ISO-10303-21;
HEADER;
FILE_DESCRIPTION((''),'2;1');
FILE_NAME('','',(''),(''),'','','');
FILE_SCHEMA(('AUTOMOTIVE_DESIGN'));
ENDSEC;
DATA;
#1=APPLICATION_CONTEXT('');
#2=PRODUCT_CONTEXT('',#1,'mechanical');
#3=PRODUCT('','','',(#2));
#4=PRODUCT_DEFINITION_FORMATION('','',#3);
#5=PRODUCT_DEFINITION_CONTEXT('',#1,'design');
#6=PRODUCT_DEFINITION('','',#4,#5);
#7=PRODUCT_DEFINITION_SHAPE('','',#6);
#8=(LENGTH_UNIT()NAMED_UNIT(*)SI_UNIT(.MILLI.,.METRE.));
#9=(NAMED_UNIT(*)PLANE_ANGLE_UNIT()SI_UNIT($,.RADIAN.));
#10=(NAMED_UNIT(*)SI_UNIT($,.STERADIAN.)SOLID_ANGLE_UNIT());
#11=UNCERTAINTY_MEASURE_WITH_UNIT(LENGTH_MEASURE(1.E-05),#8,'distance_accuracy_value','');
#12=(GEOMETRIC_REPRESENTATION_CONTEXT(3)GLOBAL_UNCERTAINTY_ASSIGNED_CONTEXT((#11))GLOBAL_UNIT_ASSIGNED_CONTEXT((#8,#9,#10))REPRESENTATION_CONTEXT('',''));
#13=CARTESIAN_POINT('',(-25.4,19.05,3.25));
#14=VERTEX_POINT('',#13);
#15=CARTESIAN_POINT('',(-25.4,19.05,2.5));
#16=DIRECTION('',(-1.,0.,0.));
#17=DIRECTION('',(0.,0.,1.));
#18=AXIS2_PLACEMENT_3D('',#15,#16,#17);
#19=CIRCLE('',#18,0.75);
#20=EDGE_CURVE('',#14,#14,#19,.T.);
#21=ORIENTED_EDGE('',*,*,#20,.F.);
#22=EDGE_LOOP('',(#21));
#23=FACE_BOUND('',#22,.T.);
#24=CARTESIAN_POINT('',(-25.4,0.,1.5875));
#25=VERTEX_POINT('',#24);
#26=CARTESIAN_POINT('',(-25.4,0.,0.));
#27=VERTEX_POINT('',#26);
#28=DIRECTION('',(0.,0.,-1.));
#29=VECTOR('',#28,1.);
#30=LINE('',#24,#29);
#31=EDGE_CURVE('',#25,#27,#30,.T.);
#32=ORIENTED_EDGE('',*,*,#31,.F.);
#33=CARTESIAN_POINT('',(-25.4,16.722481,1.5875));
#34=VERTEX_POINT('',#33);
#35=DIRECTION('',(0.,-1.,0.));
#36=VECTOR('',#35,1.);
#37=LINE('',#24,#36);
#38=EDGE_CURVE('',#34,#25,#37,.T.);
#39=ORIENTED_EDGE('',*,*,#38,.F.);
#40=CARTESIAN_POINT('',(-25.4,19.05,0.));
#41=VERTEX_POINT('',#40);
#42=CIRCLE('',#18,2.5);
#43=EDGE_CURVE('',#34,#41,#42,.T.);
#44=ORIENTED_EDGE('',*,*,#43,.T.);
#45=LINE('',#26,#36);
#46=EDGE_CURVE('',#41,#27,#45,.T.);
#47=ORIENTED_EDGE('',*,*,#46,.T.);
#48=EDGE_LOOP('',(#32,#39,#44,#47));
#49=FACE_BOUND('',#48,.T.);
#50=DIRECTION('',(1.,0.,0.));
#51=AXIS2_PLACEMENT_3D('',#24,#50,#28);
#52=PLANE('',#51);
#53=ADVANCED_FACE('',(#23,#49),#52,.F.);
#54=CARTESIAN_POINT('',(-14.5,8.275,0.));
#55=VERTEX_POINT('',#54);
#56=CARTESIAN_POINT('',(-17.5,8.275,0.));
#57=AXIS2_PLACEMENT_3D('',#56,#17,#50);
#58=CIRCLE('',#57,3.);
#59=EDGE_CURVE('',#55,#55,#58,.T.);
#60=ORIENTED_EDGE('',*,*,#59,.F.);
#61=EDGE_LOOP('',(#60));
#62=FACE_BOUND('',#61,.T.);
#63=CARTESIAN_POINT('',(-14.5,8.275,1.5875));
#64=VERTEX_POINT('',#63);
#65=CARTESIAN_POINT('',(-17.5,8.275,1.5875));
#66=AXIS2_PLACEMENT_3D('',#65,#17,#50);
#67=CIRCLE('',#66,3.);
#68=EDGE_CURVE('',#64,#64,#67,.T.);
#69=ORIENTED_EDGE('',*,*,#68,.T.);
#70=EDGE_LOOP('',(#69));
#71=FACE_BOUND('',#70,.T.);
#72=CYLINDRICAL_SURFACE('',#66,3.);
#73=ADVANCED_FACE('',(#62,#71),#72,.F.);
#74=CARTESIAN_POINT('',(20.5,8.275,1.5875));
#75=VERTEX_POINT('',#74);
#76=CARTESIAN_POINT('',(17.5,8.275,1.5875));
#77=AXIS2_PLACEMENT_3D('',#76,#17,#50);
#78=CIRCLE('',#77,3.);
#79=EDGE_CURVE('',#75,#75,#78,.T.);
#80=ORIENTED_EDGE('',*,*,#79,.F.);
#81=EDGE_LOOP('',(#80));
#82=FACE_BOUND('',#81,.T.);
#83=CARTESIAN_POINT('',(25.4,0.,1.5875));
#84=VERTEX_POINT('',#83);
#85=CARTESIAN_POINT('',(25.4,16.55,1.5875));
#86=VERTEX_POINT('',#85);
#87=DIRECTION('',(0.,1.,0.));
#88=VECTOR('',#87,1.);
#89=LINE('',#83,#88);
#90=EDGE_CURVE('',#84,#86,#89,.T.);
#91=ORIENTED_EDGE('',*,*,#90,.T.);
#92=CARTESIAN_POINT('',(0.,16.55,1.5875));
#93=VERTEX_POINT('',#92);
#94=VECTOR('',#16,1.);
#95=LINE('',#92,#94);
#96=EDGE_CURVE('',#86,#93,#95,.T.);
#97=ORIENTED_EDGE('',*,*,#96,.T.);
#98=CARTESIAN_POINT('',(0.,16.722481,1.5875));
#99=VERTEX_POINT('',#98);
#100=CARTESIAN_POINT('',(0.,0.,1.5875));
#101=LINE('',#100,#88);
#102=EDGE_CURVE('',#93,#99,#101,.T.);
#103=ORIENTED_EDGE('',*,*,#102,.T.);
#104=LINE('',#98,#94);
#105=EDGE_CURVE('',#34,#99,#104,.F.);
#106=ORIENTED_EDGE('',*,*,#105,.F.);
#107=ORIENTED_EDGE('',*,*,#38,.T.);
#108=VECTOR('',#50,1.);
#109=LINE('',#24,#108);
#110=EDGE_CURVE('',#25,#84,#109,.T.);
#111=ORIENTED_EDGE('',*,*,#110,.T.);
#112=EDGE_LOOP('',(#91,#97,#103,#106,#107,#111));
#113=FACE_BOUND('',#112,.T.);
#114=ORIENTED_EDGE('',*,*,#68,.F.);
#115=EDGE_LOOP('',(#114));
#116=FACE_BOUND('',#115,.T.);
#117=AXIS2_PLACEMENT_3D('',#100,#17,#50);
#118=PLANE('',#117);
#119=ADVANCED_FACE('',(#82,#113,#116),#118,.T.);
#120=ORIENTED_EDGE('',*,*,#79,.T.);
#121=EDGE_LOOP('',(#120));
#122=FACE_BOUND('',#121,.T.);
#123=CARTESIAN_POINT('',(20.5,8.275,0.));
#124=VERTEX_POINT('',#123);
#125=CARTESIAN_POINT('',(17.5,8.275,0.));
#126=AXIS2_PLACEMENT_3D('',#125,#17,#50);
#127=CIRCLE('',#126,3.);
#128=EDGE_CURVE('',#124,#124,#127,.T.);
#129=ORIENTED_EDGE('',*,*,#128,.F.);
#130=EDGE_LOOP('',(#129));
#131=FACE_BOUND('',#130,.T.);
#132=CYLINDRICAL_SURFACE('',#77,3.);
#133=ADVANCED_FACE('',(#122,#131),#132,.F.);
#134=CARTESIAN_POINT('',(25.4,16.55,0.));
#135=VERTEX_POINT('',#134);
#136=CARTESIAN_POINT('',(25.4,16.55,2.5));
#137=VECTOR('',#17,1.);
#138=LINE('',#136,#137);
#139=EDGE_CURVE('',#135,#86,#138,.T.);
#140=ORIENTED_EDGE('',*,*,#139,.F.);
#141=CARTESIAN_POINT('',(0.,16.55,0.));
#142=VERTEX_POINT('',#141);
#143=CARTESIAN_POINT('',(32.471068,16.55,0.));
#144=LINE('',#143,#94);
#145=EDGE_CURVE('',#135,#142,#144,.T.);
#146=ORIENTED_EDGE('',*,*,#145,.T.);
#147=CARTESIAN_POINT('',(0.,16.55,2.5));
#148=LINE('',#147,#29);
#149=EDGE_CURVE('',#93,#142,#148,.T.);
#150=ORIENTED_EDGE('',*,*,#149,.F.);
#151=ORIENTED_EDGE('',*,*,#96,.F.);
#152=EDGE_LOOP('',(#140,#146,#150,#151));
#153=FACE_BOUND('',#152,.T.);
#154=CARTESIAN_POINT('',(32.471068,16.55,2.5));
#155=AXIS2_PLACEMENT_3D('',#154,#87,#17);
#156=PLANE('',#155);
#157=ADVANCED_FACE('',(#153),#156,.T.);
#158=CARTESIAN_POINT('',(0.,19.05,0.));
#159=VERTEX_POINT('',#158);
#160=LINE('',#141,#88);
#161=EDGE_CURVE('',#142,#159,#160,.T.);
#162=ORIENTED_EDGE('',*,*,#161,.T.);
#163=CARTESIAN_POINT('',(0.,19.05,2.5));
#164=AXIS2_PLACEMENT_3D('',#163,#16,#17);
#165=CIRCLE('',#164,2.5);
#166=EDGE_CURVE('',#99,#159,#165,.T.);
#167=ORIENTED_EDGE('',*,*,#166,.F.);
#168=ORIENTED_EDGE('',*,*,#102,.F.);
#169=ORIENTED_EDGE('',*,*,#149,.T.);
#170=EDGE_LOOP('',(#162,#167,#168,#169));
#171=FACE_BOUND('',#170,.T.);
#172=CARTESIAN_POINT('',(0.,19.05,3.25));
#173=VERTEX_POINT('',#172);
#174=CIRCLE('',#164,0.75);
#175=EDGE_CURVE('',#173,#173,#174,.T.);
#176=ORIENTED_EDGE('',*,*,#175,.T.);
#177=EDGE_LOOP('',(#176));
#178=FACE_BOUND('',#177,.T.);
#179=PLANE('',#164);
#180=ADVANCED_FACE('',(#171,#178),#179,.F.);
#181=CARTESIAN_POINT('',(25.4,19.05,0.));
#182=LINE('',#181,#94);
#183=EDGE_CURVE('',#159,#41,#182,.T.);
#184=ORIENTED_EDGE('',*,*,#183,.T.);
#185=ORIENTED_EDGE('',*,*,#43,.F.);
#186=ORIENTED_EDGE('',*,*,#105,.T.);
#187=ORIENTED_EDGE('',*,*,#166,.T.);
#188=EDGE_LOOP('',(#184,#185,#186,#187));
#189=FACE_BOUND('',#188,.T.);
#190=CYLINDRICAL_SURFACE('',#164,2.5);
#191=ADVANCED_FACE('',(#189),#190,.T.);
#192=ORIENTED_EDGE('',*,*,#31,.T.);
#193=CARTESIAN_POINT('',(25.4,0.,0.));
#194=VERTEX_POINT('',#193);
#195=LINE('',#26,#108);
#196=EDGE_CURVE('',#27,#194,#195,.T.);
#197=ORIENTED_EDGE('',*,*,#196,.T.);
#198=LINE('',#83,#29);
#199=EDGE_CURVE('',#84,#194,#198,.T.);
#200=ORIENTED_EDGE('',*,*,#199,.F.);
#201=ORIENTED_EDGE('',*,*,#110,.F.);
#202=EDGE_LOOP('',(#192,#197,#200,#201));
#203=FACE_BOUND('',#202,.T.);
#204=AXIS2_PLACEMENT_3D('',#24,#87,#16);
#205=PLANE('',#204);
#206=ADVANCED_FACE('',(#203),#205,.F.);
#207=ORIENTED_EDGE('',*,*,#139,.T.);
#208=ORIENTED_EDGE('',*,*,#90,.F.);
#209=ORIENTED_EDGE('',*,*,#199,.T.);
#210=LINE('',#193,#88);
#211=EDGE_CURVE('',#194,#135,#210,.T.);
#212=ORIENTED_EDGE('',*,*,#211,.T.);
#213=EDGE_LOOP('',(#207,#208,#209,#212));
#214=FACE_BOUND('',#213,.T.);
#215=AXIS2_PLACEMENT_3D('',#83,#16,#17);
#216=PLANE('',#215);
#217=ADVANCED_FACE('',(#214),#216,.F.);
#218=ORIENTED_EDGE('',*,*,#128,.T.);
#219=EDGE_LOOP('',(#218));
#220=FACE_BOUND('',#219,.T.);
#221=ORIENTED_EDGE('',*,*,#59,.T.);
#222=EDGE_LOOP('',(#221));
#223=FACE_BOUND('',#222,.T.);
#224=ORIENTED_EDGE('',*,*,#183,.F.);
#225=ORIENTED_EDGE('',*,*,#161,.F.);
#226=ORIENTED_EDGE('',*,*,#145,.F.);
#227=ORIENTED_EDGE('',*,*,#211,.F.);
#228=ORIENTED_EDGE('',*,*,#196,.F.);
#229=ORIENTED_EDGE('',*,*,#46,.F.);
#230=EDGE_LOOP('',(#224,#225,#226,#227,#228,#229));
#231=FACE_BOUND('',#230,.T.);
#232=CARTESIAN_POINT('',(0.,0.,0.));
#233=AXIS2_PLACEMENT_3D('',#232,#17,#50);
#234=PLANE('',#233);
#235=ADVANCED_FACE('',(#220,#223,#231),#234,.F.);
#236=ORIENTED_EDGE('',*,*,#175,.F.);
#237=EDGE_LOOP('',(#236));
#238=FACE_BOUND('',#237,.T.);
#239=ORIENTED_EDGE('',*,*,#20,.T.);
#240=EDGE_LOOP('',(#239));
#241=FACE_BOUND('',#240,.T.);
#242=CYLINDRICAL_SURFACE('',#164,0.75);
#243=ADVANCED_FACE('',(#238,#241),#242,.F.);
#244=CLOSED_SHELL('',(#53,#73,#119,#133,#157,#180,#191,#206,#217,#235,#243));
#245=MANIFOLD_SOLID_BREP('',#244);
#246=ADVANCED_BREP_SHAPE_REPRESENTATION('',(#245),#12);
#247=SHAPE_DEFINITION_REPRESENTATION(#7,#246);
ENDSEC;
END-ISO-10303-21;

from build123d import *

# Parameters (mm, degrees)
SKETCH1_W                   = 50.8
SKETCH1_H                   = 19.05
BOSS_EXTRUDE1_DEPTH         = 1.5875
SKETCH2_R                   = 2.5
SKETCH2_R_2                 = 0.75
BOSS_EXTRUDE2_DEPTH         = 25.4
CUT_EXTRUDE2_DEPTH          = 25.4
F_6_0_MM_DOWEL_HOLES1_D     = 6
F_6_0_MM_DOWEL_HOLES1_DEPTH = 30
F_6_0_MM_DOWEL_HOLES1_TIP   = 1.802581857


with BuildPart() as part:
    # Sketch1 → Boss-Extrude1 (new body)
    with BuildSketch(Plane.XY):
        with Locations((0, 9.525)):
            Rectangle(SKETCH1_W, SKETCH1_H)
    extrude(amount=BOSS_EXTRUDE1_DEPTH)

    # Sketch2 → Boss-Extrude2 (add)
    with BuildSketch(Plane.ZY.offset(25.4)):
        with Locations((2.5, 19.05)):
            Circle(SKETCH2_R)
        with Locations((2.5, 19.05)):
            Circle(SKETCH2_R_2, mode=Mode.SUBTRACT)
    extrude(amount=-BOSS_EXTRUDE2_DEPTH)

    # Sketch3 → Cut-Extrude2 (cut)
    with BuildSketch(Plane(origin=(0, 0, 0), x_dir=(0, 0, -1), z_dir=(1, 0, 0))):
        with BuildLine():
            Line((-2.5, 16.55), (0, 16.55))
            Line((0, 16.55), (0, 19.05))
            ThreePointArc((0, 19.05), (-4.267766953, 20.817766953), (-2.5, 16.55))
        make_face()
    extrude(amount=CUT_EXTRUDE2_DEPTH, mode=Mode.SUBTRACT)

    # Ø6.0 mm Dowel Holes1
    with Locations(Plane.XY.offset(1.5875)):
        with Locations((-17.5, 8.275), (17.5, 8.275)):
            Hole(F_6_0_MM_DOWEL_HOLES1_D / 2, depth=F_6_0_MM_DOWEL_HOLES1_DEPTH)
            with Locations((0, 0, -(F_6_0_MM_DOWEL_HOLES1_DEPTH + F_6_0_MM_DOWEL_HOLES1_TIP / 2))):  # 118° drill point
                Cone(0, F_6_0_MM_DOWEL_HOLES1_D / 2, F_6_0_MM_DOWEL_HOLES1_TIP, mode=Mode.SUBTRACT)


solid = part.part
